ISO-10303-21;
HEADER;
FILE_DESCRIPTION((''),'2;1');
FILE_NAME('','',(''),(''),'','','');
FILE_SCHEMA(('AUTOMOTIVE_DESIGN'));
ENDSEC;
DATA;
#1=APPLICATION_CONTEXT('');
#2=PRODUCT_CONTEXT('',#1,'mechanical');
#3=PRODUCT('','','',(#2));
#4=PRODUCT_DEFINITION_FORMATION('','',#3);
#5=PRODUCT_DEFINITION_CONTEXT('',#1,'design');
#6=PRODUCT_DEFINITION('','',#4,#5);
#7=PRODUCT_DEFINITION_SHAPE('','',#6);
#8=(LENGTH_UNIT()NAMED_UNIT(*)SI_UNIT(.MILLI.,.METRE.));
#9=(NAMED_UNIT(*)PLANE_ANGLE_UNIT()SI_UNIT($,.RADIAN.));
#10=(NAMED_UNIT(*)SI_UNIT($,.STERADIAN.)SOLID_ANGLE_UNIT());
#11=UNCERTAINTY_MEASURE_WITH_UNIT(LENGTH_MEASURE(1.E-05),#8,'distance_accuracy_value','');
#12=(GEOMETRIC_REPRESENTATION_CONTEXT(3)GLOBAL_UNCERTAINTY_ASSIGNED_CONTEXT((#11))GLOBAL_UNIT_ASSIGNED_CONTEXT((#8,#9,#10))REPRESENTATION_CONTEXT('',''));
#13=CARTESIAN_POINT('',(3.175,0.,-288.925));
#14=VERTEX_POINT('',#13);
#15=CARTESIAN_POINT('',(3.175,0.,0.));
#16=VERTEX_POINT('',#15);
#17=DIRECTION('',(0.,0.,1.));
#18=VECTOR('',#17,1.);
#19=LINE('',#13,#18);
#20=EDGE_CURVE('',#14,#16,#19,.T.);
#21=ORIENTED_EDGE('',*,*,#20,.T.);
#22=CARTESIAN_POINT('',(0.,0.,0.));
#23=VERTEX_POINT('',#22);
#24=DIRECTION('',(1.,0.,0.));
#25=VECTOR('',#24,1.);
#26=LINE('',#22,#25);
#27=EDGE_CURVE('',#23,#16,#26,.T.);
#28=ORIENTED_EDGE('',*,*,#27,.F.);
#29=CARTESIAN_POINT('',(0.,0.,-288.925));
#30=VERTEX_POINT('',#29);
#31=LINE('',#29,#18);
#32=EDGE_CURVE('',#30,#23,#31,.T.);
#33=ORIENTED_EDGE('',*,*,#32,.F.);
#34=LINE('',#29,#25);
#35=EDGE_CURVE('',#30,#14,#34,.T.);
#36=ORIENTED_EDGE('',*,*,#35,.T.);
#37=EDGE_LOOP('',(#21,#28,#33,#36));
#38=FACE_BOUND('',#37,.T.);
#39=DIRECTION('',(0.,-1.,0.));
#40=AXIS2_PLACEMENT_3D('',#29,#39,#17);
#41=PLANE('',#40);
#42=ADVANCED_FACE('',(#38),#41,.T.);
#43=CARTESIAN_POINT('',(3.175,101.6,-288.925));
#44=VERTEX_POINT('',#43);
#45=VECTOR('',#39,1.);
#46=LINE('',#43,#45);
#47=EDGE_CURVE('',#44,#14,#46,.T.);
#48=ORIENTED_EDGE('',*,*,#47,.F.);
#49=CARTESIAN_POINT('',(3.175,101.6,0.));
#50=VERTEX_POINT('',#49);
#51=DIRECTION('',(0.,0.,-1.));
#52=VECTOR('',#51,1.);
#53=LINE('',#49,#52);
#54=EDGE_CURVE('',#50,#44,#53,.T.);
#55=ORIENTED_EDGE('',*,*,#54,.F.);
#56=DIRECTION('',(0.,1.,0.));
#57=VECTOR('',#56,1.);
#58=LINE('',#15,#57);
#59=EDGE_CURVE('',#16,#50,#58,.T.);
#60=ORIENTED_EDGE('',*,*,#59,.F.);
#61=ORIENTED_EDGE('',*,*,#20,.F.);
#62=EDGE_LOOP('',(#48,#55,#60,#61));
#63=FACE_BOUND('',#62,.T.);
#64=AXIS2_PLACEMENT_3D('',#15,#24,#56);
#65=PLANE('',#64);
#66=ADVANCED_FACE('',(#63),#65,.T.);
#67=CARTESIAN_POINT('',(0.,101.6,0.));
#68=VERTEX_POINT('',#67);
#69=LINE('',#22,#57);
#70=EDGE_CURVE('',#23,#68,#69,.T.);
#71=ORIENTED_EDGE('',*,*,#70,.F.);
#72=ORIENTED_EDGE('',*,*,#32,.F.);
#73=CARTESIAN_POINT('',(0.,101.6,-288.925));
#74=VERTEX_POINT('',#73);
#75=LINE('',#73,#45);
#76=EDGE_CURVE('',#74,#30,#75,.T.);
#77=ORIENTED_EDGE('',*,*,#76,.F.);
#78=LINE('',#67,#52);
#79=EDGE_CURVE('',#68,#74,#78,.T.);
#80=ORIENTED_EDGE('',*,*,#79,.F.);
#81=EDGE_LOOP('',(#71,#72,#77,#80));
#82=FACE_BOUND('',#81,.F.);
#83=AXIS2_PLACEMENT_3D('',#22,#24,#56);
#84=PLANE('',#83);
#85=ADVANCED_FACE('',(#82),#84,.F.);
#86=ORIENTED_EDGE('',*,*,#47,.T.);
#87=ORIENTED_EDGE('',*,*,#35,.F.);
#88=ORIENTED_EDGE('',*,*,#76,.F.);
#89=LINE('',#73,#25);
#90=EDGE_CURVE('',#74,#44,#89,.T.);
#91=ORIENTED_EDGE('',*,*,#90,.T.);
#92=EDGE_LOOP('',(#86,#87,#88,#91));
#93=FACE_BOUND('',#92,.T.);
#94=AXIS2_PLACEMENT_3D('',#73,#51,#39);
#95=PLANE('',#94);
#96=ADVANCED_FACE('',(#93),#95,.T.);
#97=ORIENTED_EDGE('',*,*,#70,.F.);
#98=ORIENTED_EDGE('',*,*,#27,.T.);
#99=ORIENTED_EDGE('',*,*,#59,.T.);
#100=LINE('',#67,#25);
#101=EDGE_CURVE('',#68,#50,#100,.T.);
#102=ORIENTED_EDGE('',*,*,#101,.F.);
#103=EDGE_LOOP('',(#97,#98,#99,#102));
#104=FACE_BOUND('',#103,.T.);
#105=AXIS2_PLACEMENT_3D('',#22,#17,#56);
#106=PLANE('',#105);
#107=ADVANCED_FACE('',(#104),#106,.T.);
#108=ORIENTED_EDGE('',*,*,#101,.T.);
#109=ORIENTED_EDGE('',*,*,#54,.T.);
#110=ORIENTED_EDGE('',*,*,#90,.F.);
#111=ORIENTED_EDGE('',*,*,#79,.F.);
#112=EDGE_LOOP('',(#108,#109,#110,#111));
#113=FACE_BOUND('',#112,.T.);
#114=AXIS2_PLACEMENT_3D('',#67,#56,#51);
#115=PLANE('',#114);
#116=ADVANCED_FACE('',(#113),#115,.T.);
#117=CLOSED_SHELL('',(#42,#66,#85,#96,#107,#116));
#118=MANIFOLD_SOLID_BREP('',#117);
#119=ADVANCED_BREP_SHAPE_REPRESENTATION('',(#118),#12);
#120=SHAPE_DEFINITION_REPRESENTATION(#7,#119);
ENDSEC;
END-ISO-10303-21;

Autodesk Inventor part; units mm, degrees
ref_plane "YZ Plane" through (0, 0, 0) normal (1, 0, 0) x (0, 1, 0)
ref_plane "XZ Plane" through (0, 0, 0) normal (0, 1, 0) x (-1, 0, 0)
ref_plane "XY Plane" through (0, 0, 0) normal (0, 0, 1) x (1, 0, 0)
sketch "Sketch1" plane through (0, 0, 0) normal (1, 0, 0) x (0, 1, 0)
  line L0 (0, 0) -> (101.6, 0)
  line L1 (101.6, 0) -> (101.6, -288.925)
  line L2 (101.6, -288.925) -> (0, -288.925)
  line L3 (0, -288.925) -> (0, 0)
  dimension "d0" = 101.6
  dimension "d1" = 288.925
extrude "Extrusion1" add sketch "Sketch1" along normal blind 3.175
properties part number "Part B. Sides X2"
